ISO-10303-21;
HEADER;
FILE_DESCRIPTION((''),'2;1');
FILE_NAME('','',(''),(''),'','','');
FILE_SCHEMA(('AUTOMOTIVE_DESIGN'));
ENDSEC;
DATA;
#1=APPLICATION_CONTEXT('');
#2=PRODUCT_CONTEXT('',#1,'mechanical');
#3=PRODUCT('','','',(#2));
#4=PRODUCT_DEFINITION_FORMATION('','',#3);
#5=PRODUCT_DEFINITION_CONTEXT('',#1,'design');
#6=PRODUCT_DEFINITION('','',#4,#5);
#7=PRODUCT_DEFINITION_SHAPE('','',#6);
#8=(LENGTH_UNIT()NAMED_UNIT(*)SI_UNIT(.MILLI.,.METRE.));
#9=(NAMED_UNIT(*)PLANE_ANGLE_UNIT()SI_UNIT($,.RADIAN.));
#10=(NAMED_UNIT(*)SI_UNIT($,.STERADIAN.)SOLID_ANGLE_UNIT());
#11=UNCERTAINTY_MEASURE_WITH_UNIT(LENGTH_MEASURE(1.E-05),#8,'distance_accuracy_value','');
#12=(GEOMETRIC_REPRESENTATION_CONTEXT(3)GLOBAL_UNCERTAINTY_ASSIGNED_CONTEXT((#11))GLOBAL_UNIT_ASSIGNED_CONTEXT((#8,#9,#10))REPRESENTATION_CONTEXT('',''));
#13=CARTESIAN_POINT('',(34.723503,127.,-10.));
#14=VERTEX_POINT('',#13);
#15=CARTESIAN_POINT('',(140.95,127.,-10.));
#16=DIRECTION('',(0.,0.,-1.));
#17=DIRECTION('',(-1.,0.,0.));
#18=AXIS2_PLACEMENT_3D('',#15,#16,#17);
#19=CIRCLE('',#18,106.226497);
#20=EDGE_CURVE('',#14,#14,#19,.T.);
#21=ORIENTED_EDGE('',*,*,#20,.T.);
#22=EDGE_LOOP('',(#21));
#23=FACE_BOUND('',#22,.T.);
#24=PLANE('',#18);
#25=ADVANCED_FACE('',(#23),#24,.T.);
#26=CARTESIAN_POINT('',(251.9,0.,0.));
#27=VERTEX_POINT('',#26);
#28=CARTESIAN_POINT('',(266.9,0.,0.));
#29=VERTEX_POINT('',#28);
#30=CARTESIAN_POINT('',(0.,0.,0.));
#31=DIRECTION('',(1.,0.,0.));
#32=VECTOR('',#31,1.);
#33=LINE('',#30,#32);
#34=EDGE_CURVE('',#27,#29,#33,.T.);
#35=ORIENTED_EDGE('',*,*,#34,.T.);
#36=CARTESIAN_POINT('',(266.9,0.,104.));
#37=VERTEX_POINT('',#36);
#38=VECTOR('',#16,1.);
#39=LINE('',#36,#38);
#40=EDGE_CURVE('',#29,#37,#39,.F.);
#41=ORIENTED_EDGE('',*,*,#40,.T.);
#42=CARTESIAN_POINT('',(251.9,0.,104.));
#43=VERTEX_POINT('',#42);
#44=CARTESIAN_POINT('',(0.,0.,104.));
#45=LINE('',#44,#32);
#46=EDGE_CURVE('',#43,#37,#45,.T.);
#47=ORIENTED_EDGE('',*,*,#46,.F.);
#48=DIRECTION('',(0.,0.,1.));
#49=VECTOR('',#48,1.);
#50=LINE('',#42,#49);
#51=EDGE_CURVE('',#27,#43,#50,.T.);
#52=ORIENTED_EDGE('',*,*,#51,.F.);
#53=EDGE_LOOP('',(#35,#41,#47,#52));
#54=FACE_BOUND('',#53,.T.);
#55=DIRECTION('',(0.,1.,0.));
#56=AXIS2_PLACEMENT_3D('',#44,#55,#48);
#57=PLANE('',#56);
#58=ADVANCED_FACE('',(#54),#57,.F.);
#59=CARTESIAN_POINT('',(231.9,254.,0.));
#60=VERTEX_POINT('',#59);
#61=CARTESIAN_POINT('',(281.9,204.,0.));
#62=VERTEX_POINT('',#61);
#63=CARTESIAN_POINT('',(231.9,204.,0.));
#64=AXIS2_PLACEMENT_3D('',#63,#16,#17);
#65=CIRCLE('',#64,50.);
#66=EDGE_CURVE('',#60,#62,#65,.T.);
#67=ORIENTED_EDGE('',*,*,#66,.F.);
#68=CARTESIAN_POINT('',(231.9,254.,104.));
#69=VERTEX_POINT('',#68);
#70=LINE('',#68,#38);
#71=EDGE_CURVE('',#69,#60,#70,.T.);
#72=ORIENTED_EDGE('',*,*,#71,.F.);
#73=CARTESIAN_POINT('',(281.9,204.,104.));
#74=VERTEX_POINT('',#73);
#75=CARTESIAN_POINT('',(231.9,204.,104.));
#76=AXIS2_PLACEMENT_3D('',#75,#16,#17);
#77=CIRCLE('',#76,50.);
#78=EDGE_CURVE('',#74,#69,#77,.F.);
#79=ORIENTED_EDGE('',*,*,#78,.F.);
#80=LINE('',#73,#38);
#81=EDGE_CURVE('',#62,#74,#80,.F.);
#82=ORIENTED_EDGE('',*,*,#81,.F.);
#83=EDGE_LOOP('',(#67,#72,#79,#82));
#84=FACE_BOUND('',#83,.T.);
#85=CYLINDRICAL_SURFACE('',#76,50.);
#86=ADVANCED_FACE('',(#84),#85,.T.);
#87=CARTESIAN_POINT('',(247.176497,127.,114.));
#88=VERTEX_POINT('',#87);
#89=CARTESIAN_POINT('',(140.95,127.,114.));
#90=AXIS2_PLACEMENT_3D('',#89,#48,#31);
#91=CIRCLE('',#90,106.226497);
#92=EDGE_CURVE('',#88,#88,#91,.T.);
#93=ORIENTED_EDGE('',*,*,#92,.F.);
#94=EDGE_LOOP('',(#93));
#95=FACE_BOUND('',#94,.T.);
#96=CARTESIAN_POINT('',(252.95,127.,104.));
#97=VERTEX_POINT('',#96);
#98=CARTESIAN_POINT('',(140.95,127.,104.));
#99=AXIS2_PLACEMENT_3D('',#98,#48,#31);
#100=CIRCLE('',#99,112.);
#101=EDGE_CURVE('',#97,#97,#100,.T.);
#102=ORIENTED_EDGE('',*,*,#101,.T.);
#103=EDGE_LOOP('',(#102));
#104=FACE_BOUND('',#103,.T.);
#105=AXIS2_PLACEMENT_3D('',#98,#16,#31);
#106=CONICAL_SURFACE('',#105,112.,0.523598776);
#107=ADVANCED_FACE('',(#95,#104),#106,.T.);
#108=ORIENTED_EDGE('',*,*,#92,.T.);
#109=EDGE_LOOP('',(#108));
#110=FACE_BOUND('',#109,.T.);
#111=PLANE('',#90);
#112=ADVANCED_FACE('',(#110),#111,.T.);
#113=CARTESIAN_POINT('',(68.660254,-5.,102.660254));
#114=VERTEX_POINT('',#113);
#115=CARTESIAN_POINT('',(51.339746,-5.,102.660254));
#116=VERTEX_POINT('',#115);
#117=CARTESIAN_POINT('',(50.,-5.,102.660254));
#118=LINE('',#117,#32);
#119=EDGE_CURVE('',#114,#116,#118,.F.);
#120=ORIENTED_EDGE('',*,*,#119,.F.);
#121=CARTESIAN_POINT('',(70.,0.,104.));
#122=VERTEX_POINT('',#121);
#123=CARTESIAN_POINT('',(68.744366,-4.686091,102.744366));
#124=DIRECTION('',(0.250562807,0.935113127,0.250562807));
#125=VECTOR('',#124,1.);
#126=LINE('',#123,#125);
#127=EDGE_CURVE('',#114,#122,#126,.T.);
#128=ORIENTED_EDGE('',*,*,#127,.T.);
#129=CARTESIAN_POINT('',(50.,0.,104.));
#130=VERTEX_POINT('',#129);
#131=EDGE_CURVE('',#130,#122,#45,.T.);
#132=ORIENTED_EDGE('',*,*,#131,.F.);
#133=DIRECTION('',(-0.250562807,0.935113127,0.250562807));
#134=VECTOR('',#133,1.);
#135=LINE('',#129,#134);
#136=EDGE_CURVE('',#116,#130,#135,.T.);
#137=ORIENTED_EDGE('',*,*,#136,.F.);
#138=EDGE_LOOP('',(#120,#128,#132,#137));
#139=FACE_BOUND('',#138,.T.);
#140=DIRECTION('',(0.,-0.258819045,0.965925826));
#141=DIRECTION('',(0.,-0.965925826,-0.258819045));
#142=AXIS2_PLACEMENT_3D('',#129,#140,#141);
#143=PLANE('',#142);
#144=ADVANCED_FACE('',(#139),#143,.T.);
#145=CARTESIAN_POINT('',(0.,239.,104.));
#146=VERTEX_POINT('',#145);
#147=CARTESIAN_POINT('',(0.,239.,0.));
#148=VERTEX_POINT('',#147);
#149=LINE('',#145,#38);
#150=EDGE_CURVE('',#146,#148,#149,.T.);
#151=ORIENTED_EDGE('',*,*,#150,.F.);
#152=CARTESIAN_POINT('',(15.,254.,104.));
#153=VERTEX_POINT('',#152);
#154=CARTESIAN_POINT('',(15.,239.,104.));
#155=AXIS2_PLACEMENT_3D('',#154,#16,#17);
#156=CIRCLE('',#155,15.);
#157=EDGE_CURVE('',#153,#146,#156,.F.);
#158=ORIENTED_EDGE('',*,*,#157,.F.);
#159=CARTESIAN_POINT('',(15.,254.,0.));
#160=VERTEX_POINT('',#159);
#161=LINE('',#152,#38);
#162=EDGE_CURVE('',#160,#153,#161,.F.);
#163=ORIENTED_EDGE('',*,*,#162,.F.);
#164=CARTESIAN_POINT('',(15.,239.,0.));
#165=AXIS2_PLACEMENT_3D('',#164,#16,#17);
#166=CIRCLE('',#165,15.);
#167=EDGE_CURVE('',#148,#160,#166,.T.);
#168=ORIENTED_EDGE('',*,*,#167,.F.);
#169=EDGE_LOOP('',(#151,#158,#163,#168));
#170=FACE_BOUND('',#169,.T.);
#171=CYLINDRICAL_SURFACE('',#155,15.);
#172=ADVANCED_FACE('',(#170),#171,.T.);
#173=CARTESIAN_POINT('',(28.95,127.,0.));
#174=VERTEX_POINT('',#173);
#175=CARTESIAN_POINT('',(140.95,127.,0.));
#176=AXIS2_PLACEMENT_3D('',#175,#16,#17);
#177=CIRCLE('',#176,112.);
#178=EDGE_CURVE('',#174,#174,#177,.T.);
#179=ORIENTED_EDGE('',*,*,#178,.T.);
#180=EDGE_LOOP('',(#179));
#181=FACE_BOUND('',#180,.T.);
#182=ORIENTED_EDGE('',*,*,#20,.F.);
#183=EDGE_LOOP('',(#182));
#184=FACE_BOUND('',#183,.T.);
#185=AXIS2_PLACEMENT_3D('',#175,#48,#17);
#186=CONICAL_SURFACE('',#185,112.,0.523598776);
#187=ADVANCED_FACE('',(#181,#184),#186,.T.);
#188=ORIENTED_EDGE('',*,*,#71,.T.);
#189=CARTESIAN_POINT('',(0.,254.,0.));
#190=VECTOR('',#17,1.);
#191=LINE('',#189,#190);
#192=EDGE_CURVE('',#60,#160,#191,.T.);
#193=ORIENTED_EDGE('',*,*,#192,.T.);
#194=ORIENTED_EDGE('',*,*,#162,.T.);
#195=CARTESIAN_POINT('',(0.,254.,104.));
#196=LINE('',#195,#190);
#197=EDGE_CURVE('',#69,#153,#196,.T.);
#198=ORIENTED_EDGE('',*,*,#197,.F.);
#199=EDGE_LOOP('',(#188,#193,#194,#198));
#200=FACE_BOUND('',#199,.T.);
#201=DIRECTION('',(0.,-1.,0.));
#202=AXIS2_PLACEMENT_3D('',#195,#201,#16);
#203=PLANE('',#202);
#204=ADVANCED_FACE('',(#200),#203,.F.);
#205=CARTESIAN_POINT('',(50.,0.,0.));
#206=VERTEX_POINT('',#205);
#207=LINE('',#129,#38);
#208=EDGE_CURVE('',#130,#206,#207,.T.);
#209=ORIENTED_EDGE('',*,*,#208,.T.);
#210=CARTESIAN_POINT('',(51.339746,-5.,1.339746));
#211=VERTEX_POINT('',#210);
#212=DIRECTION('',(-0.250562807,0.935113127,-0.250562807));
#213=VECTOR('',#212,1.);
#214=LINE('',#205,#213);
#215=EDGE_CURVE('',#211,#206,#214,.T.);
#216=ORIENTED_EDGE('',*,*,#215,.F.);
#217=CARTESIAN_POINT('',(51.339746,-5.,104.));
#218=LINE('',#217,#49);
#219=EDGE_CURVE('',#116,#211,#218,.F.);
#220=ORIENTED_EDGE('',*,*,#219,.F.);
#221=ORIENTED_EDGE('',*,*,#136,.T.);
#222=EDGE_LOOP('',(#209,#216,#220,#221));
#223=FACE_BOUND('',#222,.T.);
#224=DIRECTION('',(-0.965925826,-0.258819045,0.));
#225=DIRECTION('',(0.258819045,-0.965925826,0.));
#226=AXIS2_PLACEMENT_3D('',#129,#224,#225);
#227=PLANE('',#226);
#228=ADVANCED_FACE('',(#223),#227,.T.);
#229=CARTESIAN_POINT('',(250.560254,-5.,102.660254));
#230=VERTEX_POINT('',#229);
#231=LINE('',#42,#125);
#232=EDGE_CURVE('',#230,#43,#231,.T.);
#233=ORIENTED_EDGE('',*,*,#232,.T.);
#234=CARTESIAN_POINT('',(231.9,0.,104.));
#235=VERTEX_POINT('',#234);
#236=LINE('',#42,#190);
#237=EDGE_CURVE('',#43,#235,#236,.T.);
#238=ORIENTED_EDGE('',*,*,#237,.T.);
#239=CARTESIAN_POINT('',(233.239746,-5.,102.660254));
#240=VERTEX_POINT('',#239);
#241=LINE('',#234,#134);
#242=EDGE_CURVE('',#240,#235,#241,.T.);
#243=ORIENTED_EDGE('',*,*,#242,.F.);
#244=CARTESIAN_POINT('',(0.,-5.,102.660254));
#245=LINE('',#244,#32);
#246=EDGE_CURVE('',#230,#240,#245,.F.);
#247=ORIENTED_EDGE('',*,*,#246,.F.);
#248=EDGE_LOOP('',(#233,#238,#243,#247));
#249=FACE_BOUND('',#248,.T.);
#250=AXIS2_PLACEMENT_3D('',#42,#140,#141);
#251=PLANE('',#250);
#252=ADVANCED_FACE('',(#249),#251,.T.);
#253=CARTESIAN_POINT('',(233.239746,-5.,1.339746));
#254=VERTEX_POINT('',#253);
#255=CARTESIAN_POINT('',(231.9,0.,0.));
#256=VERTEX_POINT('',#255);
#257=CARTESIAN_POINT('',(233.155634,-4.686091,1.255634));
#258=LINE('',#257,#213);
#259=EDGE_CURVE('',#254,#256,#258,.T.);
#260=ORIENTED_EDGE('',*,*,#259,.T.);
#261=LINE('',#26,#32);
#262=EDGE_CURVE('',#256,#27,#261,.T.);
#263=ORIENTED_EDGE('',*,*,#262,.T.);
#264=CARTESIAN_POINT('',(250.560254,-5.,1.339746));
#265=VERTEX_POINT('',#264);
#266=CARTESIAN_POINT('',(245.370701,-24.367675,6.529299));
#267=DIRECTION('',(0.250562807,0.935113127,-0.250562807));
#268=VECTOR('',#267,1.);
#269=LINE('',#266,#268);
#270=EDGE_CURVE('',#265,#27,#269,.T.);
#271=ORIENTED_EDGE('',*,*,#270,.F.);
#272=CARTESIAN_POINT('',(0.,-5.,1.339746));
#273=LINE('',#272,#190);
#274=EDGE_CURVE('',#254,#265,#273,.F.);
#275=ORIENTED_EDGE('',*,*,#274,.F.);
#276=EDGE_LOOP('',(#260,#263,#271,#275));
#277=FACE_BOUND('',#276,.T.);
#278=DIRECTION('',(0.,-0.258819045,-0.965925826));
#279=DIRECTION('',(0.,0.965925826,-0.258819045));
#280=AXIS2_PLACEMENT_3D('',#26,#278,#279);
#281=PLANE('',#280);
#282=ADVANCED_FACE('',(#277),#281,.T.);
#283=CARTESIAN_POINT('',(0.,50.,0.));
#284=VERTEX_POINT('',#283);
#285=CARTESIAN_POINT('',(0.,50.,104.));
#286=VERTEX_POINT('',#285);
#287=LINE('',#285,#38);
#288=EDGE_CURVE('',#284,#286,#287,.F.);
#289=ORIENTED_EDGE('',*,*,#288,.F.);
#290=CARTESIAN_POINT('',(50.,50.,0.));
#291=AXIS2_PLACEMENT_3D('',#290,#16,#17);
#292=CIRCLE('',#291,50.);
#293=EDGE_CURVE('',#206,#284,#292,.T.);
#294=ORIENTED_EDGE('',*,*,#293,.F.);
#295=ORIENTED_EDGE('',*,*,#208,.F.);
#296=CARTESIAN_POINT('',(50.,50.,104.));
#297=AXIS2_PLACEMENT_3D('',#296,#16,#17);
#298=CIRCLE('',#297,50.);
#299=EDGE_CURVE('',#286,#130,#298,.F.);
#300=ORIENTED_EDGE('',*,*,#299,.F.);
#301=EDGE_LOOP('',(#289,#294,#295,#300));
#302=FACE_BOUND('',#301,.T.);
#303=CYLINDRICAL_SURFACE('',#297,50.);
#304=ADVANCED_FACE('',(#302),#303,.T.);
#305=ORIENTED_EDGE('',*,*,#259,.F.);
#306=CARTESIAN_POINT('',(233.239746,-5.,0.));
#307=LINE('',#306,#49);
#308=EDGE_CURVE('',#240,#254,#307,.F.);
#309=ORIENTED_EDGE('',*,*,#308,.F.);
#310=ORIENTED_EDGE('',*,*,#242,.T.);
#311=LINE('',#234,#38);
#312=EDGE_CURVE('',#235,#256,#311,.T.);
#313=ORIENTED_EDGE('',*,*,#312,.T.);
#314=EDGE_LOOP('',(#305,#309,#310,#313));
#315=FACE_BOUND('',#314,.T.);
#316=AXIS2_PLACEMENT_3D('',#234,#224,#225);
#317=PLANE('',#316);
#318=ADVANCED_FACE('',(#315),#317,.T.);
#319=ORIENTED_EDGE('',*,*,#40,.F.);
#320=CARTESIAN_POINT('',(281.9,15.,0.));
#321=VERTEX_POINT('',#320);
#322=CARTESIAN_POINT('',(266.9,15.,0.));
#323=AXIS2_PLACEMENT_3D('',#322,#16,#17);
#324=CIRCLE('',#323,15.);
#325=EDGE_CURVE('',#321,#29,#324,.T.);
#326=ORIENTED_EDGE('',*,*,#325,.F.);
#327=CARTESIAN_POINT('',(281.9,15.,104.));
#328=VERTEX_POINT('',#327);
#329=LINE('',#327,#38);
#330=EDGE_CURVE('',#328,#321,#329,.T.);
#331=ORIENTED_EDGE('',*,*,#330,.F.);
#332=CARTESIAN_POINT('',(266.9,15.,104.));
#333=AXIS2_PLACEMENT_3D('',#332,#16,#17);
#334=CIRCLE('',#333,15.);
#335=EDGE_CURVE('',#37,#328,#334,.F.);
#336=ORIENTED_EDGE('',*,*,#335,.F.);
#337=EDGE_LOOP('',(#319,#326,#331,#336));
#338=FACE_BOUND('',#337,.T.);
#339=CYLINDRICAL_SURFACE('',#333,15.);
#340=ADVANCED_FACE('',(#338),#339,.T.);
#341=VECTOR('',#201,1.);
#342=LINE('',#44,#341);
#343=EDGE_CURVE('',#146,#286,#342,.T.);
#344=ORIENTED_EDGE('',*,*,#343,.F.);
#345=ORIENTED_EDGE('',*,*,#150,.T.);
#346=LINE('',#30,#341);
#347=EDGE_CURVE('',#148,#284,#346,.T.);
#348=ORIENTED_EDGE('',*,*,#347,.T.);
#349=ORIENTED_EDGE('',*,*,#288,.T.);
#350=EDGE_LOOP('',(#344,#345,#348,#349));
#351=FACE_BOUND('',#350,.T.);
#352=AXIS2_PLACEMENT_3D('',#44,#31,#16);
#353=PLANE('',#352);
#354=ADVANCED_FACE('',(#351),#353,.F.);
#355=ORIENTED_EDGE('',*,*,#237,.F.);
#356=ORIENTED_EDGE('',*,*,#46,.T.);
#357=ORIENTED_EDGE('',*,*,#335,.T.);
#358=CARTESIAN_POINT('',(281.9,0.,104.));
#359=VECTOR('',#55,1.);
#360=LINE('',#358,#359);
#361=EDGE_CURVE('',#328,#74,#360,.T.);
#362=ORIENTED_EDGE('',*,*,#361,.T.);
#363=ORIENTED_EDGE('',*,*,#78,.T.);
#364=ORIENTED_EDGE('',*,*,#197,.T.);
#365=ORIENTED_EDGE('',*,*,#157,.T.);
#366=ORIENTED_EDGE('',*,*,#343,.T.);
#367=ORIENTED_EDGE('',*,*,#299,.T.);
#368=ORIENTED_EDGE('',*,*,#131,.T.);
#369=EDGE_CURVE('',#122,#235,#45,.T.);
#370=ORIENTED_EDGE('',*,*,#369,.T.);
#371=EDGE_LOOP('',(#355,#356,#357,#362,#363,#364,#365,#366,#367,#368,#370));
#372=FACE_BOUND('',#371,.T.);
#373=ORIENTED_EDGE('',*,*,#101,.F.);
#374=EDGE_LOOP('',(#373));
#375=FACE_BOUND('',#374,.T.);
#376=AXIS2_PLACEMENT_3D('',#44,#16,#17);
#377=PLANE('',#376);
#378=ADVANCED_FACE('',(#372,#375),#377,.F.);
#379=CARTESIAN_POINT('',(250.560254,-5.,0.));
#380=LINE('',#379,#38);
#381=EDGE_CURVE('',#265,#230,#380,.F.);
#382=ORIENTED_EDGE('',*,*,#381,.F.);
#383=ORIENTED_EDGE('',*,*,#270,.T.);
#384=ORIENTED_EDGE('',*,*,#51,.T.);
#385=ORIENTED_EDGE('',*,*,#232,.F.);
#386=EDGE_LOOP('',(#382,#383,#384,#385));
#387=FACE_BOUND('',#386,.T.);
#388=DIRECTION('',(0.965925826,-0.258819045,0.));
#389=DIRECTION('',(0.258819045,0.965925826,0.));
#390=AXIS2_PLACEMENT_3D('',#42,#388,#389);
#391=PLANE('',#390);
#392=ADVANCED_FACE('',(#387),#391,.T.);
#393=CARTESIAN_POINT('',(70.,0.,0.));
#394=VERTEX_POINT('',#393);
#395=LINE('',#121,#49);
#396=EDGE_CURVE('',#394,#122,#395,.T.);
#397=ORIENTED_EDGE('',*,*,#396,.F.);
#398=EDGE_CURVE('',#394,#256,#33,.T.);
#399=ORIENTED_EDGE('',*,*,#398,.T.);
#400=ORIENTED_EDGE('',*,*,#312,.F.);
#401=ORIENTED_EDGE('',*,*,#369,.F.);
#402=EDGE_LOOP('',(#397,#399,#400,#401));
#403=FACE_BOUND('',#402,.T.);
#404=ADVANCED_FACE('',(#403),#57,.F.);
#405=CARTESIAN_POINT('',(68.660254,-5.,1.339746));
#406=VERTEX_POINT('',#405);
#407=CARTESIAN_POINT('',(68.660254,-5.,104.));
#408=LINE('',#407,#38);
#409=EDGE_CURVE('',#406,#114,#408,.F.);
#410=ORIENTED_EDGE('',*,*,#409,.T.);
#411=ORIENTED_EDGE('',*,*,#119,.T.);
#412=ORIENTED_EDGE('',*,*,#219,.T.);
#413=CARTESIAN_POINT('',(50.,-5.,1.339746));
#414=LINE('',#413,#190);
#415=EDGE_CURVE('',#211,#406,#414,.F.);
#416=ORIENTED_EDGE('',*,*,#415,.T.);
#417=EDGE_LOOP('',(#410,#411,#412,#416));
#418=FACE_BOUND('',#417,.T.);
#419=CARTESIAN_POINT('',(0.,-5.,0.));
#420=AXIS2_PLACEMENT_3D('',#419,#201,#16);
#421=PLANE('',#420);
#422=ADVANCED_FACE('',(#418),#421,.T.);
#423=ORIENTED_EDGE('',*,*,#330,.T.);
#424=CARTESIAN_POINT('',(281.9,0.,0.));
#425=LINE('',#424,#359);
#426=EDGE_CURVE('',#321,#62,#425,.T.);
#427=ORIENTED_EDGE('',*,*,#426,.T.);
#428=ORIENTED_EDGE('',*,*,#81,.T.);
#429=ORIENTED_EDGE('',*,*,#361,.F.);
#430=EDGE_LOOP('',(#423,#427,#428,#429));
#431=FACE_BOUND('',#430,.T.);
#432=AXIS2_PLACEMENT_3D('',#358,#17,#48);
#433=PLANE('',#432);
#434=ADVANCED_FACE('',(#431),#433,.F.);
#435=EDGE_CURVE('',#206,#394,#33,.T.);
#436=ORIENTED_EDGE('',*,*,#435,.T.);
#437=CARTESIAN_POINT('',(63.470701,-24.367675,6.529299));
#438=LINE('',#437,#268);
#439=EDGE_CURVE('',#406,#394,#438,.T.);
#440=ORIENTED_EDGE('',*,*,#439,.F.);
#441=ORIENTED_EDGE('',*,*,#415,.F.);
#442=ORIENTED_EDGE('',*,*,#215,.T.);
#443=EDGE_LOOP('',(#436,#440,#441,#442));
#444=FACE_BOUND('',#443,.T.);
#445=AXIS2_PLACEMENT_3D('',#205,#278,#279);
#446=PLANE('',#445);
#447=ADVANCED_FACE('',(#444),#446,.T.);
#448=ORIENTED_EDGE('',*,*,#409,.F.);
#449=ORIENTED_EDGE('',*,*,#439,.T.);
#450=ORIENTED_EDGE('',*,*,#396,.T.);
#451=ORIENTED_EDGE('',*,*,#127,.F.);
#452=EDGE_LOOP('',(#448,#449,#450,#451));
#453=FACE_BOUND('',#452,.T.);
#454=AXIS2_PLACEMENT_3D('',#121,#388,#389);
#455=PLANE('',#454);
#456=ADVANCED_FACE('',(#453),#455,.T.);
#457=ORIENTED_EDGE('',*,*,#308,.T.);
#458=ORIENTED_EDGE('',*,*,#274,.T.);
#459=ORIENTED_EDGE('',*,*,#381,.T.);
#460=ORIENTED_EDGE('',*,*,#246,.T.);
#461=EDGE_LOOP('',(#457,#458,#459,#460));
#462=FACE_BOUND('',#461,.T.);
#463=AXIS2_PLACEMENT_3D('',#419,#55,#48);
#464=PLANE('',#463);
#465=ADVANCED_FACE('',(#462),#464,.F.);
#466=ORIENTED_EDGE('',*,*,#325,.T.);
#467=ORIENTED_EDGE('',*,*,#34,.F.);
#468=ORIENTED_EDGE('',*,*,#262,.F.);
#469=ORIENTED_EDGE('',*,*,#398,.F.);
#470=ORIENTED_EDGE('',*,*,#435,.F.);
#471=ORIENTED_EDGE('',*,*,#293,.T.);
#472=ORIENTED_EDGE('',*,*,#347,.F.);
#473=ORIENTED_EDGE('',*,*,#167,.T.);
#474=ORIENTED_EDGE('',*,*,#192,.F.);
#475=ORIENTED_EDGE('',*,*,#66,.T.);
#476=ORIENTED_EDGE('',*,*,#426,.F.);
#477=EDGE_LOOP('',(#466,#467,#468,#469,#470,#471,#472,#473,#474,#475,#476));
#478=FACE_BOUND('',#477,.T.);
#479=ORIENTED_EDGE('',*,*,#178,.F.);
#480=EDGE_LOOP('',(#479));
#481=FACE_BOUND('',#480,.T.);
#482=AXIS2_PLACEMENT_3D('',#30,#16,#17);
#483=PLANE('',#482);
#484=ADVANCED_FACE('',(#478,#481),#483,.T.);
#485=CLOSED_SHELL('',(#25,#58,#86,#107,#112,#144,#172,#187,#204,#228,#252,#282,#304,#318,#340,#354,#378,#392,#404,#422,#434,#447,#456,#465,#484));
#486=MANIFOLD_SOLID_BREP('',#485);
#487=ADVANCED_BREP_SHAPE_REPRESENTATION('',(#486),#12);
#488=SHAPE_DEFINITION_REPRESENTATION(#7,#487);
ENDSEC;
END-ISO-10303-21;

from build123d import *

# Parameters (mm, degrees)
SKETCH1_W                     = 281.9
SKETCH1_H                     = 254
BOSS_EXTRUDE1_DEPTH           = 104
SKETCH3_R                     = 112
BOSS_EXTRUDE3_DEPTH           = 10
BOSS_EXTRUDE3_TAPER           = 30
SKETCH5_R                     = 112
BOSS_EXTRUDE5_DEPTH           = 10
BOSS_EXTRUDE5_TAPER           = 30
FILLET5_R                     = 50
FILLET7_R                     = 15
FILLET8_R                     = 15
FILLET9_R                     = 50
SKETCH6_W                     = 20
SKETCH6_H                     = 104
BOSS_EXTRUDE7_DEPTH           = 5
BOSS_EXTRUDE7_DRAFT           = 15
BOSS_EXTRUDE7_PROFILE_2_DEPTH = 5
BOSS_EXTRUDE7_PROFILE_2_DRAFT = 15


with BuildPart() as part:
    # Sketch1 → Boss-Extrude1 (new body)
    with BuildSketch(Plane.XY):
        with Locations((140.95, 127)):
            Rectangle(SKETCH1_W, SKETCH1_H)
    extrude(amount=BOSS_EXTRUDE1_DEPTH)

    # Sketch3 → Boss-Extrude3 (add)
    with BuildSketch(Plane.XY.offset(104)):
        with Locations((140.95, 127)):
            Circle(SKETCH3_R)
    extrude(amount=BOSS_EXTRUDE3_DEPTH, taper=BOSS_EXTRUDE3_TAPER)

    # Sketch5 → Boss-Extrude5 (add)
    with BuildSketch(Plane(origin=(0, 0, 0), x_dir=(-1, 0, 0), z_dir=(0, 0, -1))):
        with Locations((-140.95, 127)):
            Circle(SKETCH5_R)
    extrude(amount=BOSS_EXTRUDE5_DEPTH, taper=BOSS_EXTRUDE5_TAPER)

    # Fillet5
    fillet5_edges = [part.edges().sort_by_distance(p)[0] for p in [
        (281.9, 254, 52),
    ]]
    fillet(fillet5_edges, radius=FILLET5_R)

    # Fillet7
    fillet7_edges = [part.edges().sort_by_distance(p)[0] for p in [
        (0, 254, 52),
    ]]
    fillet(fillet7_edges, radius=FILLET7_R)

    # Fillet8
    fillet8_edges = [part.edges().sort_by_distance(p)[0] for p in [
        (281.9, 0, 52),
    ]]
    fillet(fillet8_edges, radius=FILLET8_R)

    # Fillet9
    fillet9_edges = [part.edges().sort_by_distance(p)[0] for p in [
        (0, 0, 52),
    ]]
    fillet(fillet9_edges, radius=FILLET9_R)


with BuildPart() as boss_extrude7_tool:
    # Sketch6 → Boss-Extrude7 (with draft: the straight prism first)
    with BuildSketch(Plane.XZ):
        with Locations((241.9, 52)):
            Rectangle(SKETCH6_W, SKETCH6_H)
    extrude(amount=BOSS_EXTRUDE7_DEPTH)
    # Boss-Extrude7: the draft: its side faces are tilted about the plane it starts from
    boss_extrude7_sides = [boss_extrude7_tool.faces().sort_by_distance(p)[0] for p in [
        (241.9, -2.5, 104),
        (231.9, -2.5, 52),
        (241.9, -2.5, 0),
        (251.9, -2.5, 52),
    ]]
    draft(boss_extrude7_sides, Plane.XZ, BOSS_EXTRUDE7_DRAFT)


with BuildPart() as part_1:
    add(part.part)

    # Boss-Extrude7: add boss_extrude7_tool
    add(boss_extrude7_tool.part)


with BuildPart() as boss_extrude7_profile_2_tool:
    # Sketch6 → Boss-Extrude7 profile 2 (with draft: the straight prism first)
    with BuildSketch(Plane.XZ):
        with Locations((60, 52)):
            Rectangle(SKETCH6_W, SKETCH6_H)
    extrude(amount=BOSS_EXTRUDE7_PROFILE_2_DEPTH)
    # Boss-Extrude7 profile 2: the draft: its side faces are tilted about the plane it starts from
    boss_extrude7_profile_2_sides = [boss_extrude7_profile_2_tool.faces().sort_by_distance(p)[0] for p in [
        (50, -2.5, 52),
        (60, -2.5, 0),
        (70, -2.5, 52),
        (60, -2.5, 104),
    ]]
    draft(boss_extrude7_profile_2_sides, Plane.XZ, BOSS_EXTRUDE7_PROFILE_2_DRAFT)


with BuildPart() as part_2:
    add(part_1.part)

    # Boss-Extrude7 profile 2: add boss_extrude7_profile_2_tool
    add(boss_extrude7_profile_2_tool.part)


solid = part_2.part
